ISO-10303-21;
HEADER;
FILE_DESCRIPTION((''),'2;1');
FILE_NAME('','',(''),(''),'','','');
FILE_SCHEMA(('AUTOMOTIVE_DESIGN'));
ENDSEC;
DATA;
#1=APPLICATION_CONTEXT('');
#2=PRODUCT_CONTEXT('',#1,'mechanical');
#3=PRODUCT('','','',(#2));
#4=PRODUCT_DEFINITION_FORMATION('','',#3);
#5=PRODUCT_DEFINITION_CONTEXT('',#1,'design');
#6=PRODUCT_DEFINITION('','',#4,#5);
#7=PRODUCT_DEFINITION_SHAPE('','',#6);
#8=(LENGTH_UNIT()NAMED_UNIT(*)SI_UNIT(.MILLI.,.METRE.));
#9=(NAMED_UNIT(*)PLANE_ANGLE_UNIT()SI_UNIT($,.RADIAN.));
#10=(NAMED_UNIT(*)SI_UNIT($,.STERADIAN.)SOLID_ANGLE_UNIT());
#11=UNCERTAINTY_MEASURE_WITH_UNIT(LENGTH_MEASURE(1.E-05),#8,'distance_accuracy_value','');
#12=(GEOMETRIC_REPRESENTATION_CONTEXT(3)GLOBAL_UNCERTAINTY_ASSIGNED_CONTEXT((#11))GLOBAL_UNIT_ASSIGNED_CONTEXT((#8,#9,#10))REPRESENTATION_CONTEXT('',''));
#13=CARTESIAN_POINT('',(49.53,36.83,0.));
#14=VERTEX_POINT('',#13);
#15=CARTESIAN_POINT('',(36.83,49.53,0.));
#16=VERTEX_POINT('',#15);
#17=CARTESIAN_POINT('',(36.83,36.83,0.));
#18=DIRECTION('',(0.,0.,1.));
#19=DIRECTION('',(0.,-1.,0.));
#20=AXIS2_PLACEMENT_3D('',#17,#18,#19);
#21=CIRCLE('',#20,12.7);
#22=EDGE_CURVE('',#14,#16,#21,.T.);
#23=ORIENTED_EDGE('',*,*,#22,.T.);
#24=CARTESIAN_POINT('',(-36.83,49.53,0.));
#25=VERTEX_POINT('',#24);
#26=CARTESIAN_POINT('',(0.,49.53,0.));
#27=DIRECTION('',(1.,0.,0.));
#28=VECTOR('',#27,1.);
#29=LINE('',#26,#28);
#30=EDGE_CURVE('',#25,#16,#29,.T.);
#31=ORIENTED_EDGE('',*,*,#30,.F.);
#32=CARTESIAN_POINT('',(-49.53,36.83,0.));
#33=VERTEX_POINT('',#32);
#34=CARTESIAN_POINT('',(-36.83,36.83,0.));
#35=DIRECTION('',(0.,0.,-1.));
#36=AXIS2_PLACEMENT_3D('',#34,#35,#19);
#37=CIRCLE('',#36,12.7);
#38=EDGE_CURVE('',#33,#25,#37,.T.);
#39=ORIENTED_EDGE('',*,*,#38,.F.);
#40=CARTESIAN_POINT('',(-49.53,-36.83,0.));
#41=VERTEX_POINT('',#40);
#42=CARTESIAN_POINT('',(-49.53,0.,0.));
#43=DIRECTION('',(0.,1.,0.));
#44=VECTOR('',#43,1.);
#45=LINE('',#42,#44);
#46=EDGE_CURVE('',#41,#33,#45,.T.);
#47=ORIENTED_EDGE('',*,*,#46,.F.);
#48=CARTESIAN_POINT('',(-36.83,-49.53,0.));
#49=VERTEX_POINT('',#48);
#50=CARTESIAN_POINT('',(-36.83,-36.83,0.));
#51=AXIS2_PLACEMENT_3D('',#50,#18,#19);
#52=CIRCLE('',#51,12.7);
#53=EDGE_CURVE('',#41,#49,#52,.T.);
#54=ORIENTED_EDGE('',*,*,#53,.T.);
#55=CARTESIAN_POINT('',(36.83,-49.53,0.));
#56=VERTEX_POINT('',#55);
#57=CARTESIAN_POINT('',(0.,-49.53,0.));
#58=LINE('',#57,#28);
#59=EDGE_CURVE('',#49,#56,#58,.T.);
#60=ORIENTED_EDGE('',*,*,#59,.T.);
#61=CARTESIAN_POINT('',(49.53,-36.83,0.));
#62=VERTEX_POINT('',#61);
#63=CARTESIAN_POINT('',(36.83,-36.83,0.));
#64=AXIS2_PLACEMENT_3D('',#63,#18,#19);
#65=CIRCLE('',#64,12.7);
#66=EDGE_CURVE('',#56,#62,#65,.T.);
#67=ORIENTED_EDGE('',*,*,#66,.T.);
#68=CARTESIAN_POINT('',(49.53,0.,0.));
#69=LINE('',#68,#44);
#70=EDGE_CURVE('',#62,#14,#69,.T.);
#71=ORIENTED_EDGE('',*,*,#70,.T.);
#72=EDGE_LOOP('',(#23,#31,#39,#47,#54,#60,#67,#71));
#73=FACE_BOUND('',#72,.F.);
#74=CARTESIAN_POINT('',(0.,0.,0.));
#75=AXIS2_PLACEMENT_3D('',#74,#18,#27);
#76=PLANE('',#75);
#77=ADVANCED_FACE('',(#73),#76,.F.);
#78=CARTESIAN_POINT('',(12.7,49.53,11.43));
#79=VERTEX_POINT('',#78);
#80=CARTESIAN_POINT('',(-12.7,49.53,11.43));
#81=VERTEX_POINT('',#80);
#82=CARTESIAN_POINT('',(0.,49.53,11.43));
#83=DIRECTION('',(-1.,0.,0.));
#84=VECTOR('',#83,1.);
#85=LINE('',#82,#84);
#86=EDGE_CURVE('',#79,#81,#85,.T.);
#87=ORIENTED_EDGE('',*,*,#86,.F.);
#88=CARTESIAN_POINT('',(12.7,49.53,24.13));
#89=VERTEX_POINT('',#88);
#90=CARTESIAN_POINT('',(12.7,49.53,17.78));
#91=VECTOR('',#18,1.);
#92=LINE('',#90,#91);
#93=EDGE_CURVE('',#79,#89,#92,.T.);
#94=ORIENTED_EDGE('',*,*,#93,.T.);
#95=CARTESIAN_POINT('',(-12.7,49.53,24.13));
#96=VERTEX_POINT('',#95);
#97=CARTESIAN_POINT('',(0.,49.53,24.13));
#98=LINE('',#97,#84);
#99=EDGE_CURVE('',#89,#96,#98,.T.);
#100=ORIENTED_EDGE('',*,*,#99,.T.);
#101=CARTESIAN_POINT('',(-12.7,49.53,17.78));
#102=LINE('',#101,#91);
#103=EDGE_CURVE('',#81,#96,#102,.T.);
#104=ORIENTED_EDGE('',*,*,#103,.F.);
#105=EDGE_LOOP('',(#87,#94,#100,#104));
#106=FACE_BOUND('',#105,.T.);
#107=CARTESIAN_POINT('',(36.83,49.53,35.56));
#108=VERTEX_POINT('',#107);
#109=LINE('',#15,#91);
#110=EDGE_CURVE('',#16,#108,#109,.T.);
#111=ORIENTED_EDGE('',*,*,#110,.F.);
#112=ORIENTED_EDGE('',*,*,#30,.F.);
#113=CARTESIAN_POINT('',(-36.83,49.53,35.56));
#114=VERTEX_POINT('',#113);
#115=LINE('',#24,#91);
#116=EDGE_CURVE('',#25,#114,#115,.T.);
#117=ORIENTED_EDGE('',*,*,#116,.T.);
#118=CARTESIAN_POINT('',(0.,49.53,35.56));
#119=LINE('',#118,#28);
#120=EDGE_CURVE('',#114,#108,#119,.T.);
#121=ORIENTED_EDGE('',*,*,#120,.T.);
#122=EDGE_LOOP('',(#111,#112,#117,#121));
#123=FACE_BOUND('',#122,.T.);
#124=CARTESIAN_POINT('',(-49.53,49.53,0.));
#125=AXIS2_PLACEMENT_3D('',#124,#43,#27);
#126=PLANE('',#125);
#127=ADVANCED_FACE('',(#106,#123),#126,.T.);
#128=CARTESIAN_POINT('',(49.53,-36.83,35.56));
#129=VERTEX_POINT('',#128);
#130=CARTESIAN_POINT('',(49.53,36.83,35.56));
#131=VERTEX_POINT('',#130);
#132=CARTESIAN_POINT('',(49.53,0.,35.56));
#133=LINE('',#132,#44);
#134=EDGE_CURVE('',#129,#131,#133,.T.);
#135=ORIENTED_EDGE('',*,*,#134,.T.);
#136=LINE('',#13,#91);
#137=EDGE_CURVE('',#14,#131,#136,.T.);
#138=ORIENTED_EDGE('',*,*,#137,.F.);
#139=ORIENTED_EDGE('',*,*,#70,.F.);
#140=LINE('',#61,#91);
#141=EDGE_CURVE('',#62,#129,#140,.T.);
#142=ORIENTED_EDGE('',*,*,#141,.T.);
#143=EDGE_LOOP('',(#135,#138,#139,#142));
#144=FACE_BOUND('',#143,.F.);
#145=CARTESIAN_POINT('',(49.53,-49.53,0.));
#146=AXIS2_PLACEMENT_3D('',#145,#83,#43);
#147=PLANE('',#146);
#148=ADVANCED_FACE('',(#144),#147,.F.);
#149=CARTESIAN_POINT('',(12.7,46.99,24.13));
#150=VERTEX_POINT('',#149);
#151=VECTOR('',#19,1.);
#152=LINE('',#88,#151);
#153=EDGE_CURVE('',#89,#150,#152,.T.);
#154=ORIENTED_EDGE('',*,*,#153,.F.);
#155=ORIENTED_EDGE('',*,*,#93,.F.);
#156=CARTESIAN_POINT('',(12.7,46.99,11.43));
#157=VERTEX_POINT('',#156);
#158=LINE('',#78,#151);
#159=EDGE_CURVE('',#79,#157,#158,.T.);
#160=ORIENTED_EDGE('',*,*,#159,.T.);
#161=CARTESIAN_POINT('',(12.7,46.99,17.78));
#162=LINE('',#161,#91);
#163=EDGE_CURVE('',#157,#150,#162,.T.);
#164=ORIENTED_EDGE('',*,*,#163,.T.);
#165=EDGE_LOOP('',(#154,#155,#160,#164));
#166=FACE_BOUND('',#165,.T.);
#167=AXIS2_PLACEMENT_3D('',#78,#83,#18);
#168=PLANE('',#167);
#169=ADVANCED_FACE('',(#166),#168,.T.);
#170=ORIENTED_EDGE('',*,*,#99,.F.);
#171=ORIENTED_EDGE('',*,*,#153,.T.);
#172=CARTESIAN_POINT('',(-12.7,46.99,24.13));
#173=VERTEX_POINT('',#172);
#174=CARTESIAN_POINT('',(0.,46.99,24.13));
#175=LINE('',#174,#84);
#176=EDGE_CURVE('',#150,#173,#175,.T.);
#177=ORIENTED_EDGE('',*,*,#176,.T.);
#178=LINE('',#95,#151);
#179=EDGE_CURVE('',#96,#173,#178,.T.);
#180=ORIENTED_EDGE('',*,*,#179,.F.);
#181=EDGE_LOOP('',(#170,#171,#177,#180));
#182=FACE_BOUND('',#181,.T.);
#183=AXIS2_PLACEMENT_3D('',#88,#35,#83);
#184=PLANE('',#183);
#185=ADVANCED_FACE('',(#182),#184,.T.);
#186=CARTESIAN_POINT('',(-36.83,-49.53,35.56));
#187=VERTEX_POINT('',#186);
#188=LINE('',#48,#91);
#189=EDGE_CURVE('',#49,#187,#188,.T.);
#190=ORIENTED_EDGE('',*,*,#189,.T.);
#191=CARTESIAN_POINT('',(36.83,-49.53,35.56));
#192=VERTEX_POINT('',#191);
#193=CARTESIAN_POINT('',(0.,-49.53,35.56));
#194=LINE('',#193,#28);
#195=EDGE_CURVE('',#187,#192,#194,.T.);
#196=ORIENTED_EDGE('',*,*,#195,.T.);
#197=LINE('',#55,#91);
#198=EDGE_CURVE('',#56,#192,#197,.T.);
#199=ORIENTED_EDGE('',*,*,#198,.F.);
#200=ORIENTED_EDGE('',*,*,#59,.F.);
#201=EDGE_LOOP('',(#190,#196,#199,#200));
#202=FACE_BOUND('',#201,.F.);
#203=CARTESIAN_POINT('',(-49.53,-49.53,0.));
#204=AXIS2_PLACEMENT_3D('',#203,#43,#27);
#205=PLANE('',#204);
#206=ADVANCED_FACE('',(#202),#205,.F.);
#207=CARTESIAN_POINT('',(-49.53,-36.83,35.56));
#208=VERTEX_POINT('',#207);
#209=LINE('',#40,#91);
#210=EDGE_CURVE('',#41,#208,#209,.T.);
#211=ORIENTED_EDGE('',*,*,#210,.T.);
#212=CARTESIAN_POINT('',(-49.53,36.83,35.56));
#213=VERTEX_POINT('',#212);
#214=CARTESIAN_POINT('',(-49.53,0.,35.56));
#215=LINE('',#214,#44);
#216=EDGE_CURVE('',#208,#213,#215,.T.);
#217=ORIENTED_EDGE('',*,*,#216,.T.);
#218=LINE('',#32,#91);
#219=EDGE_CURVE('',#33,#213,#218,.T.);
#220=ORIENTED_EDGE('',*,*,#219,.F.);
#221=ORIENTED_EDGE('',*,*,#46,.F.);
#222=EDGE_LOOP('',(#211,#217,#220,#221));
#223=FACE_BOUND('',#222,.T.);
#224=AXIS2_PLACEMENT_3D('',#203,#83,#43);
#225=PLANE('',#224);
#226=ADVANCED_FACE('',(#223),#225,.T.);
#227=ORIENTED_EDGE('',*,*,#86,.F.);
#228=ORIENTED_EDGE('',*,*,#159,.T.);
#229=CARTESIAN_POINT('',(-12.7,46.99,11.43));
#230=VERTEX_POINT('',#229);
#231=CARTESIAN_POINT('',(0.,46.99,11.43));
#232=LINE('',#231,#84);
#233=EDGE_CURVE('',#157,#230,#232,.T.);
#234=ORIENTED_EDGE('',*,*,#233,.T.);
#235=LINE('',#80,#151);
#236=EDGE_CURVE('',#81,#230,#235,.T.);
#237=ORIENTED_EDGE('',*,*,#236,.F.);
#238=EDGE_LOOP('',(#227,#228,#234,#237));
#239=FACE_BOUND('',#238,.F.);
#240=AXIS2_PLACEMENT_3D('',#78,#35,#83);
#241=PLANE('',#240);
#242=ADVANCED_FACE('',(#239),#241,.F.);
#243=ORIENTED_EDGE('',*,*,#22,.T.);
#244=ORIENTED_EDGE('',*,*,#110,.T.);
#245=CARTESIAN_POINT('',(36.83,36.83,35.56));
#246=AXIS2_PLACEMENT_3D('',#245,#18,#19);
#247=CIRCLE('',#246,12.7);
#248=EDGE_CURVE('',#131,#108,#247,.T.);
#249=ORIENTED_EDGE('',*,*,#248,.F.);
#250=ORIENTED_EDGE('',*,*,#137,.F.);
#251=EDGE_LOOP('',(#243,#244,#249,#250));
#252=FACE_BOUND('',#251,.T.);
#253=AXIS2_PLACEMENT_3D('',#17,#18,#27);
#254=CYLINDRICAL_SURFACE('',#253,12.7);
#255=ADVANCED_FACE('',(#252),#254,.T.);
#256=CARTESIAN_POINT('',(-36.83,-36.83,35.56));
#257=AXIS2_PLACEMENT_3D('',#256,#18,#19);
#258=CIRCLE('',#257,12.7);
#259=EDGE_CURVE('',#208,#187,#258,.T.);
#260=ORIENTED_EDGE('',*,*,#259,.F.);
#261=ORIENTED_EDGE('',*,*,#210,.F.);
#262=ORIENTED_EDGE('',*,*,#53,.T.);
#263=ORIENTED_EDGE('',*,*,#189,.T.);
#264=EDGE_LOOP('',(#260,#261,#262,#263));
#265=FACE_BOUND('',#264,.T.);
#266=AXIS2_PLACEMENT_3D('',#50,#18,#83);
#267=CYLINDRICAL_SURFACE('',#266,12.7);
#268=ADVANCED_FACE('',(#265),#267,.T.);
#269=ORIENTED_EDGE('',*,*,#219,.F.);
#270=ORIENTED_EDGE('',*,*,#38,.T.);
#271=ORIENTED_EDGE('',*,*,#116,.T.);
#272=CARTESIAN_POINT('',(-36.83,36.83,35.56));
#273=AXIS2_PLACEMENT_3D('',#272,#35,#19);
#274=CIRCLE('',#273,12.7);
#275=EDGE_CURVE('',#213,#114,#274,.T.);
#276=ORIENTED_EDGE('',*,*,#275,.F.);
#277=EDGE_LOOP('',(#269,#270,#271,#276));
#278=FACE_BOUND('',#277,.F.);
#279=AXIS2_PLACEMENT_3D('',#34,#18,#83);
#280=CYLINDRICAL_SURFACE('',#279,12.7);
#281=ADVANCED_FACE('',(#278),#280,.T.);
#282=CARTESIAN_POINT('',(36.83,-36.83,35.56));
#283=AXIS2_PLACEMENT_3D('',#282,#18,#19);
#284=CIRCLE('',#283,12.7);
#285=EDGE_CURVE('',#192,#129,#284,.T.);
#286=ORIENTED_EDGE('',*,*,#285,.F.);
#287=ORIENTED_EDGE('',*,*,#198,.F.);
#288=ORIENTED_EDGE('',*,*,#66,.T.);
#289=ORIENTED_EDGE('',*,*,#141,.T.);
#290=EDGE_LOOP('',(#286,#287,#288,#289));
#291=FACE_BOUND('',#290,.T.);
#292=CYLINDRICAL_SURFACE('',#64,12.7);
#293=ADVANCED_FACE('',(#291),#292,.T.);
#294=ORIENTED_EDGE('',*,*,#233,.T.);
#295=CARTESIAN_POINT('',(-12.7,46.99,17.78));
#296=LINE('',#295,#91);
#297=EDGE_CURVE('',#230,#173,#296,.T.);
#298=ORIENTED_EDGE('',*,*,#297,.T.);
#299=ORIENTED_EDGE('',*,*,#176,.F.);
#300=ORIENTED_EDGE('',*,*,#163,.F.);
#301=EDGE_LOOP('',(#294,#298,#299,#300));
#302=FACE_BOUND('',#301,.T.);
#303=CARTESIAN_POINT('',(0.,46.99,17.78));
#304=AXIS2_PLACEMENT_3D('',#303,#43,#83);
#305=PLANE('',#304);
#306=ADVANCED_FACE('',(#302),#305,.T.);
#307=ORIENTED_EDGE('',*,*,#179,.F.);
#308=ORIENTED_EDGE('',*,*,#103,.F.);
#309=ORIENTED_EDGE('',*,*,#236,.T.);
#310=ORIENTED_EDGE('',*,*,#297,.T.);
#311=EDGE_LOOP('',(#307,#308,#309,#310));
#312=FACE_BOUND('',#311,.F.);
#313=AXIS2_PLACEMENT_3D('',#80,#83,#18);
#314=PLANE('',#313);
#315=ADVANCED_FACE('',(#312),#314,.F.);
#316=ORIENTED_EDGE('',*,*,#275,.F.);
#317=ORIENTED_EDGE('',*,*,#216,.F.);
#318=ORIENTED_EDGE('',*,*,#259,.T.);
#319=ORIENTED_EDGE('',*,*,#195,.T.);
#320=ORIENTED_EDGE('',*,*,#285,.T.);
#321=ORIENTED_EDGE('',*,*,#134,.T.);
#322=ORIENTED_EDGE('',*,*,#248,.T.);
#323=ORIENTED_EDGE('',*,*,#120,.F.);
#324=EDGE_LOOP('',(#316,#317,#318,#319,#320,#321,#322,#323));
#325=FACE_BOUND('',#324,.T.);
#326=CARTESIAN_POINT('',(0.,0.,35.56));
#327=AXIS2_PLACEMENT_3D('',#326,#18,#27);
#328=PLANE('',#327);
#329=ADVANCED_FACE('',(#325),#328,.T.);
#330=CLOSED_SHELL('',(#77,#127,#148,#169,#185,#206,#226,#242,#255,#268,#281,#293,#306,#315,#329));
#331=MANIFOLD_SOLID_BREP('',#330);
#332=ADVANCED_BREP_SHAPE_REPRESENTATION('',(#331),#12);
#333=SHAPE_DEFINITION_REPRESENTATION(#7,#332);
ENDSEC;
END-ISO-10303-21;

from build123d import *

# Parameters (mm, degrees)
F0_W     = 99.06
F0_H     = 99.06
F1_DEPTH = 35.56
F2_R     = 12.7
F3_W     = 25.4
F3_H     = 12.7
F4_DEPTH = 2.54


with BuildPart() as f1:
    # F0 (on Top) → F1 (new body)
    with BuildSketch(Plane.XY):
        Rectangle(F0_W, F0_H)
    extrude(amount=F1_DEPTH)

    # F2
    f2_edges = [f1.edges().sort_by_distance(p)[0] for p in [
        (49.53, -49.53, 17.78),
        (49.53, 49.53, 17.78),
        (-49.53, -49.53, 17.78),
        (-49.53, 49.53, 17.78),
    ]]
    fillet(f2_edges, radius=F2_R)

    # F3 (on face) → F4 (cut)
    with BuildSketch(Plane(origin=(0, 49.53, 0), x_dir=(-1, 0, 0), z_dir=(0, 1, 0))):
        with Locations((0, 17.78)):
            Rectangle(F3_W, F3_H)
    extrude(amount=-F4_DEPTH, mode=Mode.SUBTRACT)


solid = f1.part
